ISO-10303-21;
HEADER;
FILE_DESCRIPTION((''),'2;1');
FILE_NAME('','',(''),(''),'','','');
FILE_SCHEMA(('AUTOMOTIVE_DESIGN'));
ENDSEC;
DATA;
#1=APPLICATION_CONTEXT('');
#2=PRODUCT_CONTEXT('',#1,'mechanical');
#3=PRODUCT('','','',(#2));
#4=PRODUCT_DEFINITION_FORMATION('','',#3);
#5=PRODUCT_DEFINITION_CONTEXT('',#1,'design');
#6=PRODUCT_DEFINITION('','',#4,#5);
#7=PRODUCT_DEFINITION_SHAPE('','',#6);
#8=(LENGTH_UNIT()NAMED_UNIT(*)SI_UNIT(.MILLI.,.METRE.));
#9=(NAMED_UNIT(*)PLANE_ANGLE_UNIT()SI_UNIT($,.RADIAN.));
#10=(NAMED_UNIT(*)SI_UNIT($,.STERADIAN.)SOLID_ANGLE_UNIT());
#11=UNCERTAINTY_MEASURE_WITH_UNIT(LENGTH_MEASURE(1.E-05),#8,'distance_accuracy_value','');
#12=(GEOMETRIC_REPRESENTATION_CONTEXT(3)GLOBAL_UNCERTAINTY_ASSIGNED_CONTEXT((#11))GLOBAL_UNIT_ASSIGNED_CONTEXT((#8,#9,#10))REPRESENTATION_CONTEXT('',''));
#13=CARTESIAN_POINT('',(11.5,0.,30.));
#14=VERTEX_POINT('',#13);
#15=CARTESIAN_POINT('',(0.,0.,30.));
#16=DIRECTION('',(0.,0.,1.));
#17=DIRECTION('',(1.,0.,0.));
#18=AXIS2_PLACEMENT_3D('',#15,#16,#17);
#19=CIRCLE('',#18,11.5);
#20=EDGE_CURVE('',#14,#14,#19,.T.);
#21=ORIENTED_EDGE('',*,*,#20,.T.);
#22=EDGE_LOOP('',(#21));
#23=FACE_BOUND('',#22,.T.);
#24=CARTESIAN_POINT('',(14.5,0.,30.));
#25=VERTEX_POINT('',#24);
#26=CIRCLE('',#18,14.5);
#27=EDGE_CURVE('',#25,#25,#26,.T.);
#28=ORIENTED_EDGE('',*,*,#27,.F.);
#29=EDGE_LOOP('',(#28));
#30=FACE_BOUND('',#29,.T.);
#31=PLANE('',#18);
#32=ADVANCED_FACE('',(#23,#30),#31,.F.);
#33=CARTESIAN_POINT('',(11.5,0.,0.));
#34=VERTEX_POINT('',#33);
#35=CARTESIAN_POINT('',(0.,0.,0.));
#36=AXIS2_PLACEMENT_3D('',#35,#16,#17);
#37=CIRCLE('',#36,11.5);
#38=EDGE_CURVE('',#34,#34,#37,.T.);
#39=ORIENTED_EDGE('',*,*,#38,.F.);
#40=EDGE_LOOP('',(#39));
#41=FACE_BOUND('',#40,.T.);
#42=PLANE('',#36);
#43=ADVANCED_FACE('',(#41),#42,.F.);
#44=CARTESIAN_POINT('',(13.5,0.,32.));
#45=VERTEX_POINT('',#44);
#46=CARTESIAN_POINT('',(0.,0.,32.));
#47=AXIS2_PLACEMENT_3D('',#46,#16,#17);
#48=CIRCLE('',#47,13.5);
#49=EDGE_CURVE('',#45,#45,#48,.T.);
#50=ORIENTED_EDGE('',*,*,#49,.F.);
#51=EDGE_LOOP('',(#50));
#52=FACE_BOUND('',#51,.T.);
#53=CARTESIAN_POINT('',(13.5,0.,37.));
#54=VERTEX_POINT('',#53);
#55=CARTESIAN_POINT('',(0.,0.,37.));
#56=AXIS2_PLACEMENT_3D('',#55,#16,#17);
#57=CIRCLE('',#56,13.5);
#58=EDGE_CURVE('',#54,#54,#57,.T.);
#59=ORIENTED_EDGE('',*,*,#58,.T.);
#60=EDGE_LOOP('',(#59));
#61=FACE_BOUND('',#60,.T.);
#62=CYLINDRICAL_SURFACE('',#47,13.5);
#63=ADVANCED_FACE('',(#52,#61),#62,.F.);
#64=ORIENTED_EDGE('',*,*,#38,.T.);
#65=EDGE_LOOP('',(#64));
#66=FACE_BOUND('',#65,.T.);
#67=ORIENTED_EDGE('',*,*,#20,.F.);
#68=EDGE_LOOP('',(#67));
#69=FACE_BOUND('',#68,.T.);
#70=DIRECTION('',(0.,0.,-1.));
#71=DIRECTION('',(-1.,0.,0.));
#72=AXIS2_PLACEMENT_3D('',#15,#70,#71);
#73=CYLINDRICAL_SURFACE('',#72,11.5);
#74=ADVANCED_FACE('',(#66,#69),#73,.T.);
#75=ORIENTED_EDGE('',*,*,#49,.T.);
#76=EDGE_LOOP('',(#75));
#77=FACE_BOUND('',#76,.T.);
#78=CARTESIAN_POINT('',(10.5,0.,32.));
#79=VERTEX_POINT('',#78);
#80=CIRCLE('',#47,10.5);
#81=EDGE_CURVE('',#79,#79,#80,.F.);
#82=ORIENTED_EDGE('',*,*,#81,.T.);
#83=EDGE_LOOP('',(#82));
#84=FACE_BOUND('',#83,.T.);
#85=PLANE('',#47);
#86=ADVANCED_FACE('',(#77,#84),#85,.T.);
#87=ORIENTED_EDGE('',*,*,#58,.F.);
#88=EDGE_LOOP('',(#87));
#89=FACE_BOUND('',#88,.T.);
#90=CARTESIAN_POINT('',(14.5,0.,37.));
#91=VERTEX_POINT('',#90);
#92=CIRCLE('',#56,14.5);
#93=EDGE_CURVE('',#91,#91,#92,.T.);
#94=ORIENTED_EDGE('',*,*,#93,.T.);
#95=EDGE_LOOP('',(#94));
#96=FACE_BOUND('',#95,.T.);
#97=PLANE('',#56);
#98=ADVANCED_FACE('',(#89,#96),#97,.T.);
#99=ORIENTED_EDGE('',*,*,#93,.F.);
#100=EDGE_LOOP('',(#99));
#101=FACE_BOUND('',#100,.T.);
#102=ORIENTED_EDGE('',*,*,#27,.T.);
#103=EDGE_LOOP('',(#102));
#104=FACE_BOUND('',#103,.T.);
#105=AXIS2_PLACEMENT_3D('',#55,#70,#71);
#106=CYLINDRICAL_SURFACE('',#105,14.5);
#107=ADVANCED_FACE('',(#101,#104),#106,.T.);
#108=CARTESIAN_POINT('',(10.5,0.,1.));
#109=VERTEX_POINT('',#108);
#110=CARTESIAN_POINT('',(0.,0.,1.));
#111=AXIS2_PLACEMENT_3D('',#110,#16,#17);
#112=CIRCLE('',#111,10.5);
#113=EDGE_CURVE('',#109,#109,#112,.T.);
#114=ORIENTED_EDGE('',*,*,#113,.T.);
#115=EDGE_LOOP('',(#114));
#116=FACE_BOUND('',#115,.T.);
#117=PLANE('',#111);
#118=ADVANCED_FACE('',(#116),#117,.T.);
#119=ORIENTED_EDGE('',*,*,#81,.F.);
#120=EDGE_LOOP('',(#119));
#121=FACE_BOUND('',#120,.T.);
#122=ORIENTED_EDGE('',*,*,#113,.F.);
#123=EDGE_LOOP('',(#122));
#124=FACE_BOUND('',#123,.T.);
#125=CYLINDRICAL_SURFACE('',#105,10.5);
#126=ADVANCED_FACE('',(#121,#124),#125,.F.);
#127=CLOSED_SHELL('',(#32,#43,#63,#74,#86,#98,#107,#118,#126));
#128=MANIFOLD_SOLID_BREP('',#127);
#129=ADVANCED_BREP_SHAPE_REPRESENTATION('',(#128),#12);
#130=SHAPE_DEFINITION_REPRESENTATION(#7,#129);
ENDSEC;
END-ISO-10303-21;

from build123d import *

# Parameters (mm, degrees)
SKETCH_1_R          = 11.5
EXTRUDE_1_DEPTH     = 30
SKETCH_3_R          = 14.5
EXTRUDE_2_DEPTH     = 7
SKETCH_4_R          = 13.5
CUT_EXTRUDE_3_DEPTH = 5
CUT_EXTRUDE_START   = 1
SKETCH_2_R          = 10.5
CUT_EXTRUDE_2_DEPTH = 37


with BuildPart() as part:
    # ｽｹｯﾁ1 → ﾎﾞｽ - 押し出し1 (new body)
    with BuildSketch(Plane.XY):
        Circle(SKETCH_1_R)
    extrude(amount=EXTRUDE_1_DEPTH)

    # ｽｹｯﾁ3 → ﾎﾞｽ - 押し出し2 (add)
    with BuildSketch(Plane.XY.offset(30)):
        Circle(SKETCH_3_R)
    extrude(amount=EXTRUDE_2_DEPTH)

    # ｽｹｯﾁ4 → ｶｯﾄ - 押し出し3 (cut)
    with BuildSketch(Plane.XY.offset(37)):
        Circle(SKETCH_4_R)
    extrude(amount=-CUT_EXTRUDE_3_DEPTH, mode=Mode.SUBTRACT)

    # ｽｹｯﾁ2 → ｶｯﾄ - 押し出し2 (cut, through all)
    with BuildSketch(Plane.XY.offset(CUT_EXTRUDE_START)):
        Circle(SKETCH_2_R)
    extrude(amount=CUT_EXTRUDE_2_DEPTH, mode=Mode.SUBTRACT)


solid = part.part
